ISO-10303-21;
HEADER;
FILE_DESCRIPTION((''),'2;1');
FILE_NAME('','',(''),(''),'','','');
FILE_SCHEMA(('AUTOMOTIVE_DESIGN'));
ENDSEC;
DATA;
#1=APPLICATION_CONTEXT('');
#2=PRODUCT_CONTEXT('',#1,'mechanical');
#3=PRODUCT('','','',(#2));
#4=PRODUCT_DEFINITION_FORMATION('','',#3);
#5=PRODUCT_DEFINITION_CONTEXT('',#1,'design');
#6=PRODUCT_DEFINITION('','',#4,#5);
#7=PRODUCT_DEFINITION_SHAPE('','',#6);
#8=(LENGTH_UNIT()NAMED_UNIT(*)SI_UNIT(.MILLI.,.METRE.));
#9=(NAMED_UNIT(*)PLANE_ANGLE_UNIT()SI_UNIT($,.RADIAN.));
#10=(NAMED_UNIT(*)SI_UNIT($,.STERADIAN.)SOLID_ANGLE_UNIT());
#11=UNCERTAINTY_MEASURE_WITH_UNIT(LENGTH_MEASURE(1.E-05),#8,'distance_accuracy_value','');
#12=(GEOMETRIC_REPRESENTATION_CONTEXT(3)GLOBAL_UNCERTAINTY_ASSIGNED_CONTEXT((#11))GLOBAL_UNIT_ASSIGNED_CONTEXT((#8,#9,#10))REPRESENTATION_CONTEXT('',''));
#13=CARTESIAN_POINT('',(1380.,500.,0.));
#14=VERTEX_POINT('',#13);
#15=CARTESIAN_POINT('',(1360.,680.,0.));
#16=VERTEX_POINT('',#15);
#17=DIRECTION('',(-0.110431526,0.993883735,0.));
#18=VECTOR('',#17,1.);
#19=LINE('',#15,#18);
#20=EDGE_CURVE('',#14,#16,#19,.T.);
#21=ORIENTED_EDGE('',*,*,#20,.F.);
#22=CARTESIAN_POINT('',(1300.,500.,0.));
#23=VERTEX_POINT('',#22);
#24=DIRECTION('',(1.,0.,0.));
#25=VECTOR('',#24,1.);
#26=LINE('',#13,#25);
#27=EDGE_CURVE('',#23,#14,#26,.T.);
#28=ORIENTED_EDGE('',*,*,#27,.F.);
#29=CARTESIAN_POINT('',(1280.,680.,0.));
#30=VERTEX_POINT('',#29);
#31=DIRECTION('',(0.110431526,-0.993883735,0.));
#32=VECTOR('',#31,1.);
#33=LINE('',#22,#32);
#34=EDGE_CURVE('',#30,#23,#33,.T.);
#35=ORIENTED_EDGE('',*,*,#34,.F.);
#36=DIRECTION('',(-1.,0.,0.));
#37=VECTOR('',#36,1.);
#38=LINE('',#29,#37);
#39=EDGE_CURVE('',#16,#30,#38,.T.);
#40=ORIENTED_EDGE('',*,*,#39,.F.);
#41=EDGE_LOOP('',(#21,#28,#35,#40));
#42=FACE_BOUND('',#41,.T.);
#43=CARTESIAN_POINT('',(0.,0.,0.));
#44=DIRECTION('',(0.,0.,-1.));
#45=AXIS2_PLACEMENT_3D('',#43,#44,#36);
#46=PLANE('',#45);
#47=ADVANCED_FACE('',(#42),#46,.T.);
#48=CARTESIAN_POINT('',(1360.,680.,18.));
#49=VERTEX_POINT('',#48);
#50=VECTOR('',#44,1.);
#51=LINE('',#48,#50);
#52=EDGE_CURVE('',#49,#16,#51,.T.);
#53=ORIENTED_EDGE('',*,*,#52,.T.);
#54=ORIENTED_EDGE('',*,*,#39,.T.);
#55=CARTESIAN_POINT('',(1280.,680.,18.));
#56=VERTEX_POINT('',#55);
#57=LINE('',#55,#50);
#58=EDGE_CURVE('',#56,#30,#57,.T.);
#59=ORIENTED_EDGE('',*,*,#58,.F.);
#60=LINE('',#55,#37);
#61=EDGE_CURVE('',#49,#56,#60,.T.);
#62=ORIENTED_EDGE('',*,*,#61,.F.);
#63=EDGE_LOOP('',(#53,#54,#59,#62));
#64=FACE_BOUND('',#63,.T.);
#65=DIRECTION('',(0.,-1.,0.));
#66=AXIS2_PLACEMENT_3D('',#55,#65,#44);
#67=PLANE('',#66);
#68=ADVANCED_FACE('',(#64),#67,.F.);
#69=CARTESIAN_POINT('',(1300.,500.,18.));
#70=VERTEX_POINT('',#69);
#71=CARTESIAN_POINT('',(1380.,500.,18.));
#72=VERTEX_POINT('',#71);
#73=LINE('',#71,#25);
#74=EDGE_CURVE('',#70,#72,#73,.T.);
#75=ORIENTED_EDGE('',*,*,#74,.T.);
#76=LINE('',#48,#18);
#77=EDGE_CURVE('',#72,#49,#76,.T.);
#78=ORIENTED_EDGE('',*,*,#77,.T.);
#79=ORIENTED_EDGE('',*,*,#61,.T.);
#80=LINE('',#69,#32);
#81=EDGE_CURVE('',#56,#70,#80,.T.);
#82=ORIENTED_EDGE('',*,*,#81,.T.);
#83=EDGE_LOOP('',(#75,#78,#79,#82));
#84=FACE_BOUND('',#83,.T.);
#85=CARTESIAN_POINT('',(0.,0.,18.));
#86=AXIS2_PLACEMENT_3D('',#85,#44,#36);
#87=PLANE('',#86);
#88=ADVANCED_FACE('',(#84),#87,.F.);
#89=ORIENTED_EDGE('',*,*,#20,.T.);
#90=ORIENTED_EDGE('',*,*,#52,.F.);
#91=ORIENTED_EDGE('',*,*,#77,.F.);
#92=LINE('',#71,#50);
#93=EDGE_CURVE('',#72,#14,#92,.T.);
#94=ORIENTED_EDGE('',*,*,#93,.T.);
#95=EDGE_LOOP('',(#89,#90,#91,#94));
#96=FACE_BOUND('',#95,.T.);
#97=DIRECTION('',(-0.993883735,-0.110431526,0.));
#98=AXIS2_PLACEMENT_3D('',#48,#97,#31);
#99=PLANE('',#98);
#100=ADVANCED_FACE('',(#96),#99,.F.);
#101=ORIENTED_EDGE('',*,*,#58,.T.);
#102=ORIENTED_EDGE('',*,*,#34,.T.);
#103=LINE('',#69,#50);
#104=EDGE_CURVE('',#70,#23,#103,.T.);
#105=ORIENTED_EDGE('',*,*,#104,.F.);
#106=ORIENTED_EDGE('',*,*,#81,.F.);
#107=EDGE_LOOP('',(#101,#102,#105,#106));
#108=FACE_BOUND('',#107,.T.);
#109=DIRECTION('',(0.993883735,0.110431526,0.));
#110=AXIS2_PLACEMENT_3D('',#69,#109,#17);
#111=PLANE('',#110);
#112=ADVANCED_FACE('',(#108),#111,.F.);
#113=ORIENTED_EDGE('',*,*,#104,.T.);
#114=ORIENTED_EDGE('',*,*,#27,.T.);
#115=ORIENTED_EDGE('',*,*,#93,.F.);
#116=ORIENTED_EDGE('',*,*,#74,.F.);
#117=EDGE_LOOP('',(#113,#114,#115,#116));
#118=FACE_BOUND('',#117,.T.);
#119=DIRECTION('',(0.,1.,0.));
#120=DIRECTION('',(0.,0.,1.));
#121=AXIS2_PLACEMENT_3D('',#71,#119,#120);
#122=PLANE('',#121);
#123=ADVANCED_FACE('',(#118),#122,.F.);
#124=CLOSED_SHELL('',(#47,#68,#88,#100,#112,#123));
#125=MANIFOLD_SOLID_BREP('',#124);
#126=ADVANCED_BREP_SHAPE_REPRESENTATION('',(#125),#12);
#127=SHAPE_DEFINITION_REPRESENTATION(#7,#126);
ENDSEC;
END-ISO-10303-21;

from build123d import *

# Parameters (mm, degrees)
BOSS_EXTRUDE1_DEPTH = 18


with BuildPart() as part:
    # Sketch1 → Boss-Extrude1 (new body)
    with BuildSketch(Plane.XY):
        Polygon((1300, 500), (1280, 680), (1360, 680), (1380, 500), align=None)
    extrude(amount=BOSS_EXTRUDE1_DEPTH)


solid = part.part
